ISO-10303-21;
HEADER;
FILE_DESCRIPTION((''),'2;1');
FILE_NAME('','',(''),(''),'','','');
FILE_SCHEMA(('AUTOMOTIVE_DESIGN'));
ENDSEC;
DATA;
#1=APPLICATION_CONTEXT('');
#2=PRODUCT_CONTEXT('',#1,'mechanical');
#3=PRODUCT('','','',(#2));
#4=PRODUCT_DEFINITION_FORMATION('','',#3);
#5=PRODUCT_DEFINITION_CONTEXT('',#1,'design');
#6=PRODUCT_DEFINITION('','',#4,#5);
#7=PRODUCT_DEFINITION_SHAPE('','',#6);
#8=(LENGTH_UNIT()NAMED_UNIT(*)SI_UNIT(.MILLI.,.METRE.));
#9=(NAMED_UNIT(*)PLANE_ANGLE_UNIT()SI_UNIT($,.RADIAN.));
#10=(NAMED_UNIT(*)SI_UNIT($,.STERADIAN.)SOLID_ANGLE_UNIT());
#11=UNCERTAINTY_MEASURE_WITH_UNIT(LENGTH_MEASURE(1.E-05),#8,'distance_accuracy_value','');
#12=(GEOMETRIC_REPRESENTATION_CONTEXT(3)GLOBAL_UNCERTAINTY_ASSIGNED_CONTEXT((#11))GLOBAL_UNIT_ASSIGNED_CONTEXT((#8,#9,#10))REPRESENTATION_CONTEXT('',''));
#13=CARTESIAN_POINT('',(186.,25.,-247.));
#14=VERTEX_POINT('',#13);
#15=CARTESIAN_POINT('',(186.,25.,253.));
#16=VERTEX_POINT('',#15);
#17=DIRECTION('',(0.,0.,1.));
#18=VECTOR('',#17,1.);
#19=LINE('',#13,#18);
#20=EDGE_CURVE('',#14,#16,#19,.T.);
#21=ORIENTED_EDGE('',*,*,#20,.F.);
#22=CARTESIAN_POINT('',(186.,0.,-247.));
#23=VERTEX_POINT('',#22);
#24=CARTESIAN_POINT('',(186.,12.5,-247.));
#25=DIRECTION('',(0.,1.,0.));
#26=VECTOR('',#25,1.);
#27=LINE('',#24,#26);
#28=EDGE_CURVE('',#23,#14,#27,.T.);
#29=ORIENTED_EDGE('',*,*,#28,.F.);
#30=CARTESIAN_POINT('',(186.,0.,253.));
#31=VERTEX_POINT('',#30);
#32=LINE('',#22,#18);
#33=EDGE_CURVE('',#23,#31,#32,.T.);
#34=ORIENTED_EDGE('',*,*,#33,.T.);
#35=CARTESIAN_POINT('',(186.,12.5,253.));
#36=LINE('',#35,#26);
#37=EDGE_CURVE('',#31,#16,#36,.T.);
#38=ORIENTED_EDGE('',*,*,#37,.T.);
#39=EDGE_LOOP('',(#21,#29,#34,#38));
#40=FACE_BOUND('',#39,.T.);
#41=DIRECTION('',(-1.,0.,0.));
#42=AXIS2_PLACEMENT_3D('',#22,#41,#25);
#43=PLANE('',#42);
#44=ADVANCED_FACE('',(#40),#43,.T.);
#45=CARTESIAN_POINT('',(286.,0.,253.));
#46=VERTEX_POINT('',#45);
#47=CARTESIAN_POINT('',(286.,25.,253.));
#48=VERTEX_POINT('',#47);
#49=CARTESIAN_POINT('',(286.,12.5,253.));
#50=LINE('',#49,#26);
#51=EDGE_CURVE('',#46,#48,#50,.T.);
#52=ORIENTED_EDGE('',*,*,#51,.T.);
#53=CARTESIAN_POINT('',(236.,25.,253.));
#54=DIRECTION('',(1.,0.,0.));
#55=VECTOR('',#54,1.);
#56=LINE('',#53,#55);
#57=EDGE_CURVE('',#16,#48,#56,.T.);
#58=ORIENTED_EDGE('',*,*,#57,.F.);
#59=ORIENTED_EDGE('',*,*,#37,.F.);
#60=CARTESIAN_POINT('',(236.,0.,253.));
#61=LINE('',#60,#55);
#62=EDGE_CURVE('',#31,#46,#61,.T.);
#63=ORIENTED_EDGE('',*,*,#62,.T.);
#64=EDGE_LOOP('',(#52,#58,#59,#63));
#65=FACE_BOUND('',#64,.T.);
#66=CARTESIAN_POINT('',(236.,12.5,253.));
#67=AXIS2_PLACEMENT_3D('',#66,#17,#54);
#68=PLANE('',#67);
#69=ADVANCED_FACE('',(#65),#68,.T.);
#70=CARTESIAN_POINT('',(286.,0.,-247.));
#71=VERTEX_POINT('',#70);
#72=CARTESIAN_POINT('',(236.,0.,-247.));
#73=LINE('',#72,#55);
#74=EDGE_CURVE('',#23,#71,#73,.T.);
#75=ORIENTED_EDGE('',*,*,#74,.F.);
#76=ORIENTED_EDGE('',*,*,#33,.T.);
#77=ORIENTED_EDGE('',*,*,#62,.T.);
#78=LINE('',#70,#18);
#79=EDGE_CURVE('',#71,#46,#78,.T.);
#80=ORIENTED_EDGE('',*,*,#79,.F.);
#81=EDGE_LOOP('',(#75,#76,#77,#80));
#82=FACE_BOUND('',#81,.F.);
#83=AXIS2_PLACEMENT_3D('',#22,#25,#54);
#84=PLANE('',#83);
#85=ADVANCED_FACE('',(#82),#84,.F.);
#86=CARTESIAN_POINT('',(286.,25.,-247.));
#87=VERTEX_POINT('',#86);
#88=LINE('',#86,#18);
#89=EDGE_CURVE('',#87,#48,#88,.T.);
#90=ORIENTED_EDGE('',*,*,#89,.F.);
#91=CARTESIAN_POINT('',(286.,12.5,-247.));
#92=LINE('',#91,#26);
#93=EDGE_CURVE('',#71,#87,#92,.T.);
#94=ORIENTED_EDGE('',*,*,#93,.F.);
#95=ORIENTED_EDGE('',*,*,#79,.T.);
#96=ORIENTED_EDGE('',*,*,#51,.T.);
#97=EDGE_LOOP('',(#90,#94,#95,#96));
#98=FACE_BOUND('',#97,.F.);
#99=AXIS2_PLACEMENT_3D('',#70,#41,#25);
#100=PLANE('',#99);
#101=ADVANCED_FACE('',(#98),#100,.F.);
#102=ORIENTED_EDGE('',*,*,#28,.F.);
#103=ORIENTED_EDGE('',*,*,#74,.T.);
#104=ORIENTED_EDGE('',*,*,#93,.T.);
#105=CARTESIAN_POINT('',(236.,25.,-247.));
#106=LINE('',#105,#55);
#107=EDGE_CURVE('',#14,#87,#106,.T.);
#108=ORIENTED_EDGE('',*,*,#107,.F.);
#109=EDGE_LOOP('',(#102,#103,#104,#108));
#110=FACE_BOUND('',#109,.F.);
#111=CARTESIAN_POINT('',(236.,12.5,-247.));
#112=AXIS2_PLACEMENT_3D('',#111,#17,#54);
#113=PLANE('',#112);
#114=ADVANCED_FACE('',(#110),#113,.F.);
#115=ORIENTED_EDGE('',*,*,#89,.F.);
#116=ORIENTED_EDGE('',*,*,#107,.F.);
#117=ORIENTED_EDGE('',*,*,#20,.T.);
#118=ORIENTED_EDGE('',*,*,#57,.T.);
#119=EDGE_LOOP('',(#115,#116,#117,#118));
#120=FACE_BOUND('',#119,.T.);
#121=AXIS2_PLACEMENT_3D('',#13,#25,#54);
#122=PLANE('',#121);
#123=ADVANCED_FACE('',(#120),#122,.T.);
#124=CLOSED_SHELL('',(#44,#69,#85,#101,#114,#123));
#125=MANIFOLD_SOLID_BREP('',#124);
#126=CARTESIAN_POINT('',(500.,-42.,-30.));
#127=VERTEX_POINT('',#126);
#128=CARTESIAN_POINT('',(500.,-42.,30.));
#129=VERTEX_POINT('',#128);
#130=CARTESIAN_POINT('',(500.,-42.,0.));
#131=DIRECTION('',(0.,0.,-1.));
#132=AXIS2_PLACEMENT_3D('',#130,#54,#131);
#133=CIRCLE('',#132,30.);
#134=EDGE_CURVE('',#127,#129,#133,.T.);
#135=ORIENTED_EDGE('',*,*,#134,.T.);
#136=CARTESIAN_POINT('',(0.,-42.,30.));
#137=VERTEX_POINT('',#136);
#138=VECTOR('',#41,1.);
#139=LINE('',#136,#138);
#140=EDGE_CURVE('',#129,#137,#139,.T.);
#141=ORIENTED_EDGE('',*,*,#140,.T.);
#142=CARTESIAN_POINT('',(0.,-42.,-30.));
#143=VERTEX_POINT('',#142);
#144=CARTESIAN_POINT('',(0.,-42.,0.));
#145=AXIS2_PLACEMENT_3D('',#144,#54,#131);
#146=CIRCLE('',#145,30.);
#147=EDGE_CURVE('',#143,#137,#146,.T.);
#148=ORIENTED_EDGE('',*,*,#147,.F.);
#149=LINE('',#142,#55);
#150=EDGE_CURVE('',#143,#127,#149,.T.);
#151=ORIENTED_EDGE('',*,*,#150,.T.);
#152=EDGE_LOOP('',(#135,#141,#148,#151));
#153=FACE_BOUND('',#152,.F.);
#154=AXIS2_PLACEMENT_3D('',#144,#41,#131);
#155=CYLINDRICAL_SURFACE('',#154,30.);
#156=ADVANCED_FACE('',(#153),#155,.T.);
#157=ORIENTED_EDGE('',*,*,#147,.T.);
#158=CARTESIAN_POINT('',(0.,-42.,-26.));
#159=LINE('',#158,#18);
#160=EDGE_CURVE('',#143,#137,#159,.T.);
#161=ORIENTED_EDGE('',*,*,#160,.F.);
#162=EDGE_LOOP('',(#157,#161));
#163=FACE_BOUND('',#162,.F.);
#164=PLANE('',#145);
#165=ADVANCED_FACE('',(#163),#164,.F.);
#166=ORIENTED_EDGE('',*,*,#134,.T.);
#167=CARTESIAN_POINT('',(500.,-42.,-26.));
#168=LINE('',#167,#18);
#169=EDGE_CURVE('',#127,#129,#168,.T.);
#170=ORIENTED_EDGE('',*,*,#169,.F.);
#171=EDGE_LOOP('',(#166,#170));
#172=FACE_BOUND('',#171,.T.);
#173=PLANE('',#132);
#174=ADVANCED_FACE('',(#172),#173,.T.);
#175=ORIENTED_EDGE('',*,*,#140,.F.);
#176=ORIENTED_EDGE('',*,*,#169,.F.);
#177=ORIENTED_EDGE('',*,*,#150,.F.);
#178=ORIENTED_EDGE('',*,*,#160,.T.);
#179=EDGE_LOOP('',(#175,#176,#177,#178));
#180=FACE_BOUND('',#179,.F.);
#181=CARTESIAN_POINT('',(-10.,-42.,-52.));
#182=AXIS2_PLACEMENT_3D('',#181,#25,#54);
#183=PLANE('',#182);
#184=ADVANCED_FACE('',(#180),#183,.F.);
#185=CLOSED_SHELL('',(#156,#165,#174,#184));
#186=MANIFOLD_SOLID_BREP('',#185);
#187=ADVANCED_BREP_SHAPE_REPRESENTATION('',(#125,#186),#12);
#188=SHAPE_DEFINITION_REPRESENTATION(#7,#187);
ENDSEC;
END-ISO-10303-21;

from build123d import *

# Parameters (mm, degrees)
BOTTOMBOX_W          = 600
BOTTOMBOX_H          = 100
BOTTOMBOX_DEPTH      = 100
BOTTOMCYLINDER_R     = 30
BOTTOMCYLINDER_DEPTH = 500
TOPBOX_W             = 100
TOPBOX_H             = 25
TOPBOX_DEPTH         = 500


with BuildPart() as bottombox:
    # BottomBox → BottomBox (new body)
    with BuildSketch(Plane(origin=(-10, -142, -52), x_dir=(1, 0, 0), z_dir=(0, 0, 1))):
        with Locations((300, 50)):
            Rectangle(BOTTOMBOX_W, BOTTOMBOX_H)
    extrude(amount=BOTTOMBOX_DEPTH)


with BuildPart() as bottomhalfcylinder:
    # BottomCylinder → BottomCylinder (new body)
    with BuildSketch(Plane(origin=(0, -42, 0), x_dir=(0, 0, -1), z_dir=(1, 0, 0))):
        Circle(BOTTOMCYLINDER_R)
    extrude(amount=BOTTOMCYLINDER_DEPTH)

    # BottomHalfCylinder: cut BottomBox
    add(bottombox.part, mode=Mode.SUBTRACT)


with BuildPart() as allgeomfusion:
    # TopBox → TopBox (new body)
    with BuildSketch(Plane(origin=(186, 0, -247), x_dir=(1, 0, 0), z_dir=(0, 0, 1))):
        with Locations((50, 12.5)):
            Rectangle(TOPBOX_W, TOPBOX_H)
    extrude(amount=TOPBOX_DEPTH)

    # AllGeomFusion: union BottomHalfCylinder
    add(bottomhalfcylinder.part)


solid = allgeomfusion.part
